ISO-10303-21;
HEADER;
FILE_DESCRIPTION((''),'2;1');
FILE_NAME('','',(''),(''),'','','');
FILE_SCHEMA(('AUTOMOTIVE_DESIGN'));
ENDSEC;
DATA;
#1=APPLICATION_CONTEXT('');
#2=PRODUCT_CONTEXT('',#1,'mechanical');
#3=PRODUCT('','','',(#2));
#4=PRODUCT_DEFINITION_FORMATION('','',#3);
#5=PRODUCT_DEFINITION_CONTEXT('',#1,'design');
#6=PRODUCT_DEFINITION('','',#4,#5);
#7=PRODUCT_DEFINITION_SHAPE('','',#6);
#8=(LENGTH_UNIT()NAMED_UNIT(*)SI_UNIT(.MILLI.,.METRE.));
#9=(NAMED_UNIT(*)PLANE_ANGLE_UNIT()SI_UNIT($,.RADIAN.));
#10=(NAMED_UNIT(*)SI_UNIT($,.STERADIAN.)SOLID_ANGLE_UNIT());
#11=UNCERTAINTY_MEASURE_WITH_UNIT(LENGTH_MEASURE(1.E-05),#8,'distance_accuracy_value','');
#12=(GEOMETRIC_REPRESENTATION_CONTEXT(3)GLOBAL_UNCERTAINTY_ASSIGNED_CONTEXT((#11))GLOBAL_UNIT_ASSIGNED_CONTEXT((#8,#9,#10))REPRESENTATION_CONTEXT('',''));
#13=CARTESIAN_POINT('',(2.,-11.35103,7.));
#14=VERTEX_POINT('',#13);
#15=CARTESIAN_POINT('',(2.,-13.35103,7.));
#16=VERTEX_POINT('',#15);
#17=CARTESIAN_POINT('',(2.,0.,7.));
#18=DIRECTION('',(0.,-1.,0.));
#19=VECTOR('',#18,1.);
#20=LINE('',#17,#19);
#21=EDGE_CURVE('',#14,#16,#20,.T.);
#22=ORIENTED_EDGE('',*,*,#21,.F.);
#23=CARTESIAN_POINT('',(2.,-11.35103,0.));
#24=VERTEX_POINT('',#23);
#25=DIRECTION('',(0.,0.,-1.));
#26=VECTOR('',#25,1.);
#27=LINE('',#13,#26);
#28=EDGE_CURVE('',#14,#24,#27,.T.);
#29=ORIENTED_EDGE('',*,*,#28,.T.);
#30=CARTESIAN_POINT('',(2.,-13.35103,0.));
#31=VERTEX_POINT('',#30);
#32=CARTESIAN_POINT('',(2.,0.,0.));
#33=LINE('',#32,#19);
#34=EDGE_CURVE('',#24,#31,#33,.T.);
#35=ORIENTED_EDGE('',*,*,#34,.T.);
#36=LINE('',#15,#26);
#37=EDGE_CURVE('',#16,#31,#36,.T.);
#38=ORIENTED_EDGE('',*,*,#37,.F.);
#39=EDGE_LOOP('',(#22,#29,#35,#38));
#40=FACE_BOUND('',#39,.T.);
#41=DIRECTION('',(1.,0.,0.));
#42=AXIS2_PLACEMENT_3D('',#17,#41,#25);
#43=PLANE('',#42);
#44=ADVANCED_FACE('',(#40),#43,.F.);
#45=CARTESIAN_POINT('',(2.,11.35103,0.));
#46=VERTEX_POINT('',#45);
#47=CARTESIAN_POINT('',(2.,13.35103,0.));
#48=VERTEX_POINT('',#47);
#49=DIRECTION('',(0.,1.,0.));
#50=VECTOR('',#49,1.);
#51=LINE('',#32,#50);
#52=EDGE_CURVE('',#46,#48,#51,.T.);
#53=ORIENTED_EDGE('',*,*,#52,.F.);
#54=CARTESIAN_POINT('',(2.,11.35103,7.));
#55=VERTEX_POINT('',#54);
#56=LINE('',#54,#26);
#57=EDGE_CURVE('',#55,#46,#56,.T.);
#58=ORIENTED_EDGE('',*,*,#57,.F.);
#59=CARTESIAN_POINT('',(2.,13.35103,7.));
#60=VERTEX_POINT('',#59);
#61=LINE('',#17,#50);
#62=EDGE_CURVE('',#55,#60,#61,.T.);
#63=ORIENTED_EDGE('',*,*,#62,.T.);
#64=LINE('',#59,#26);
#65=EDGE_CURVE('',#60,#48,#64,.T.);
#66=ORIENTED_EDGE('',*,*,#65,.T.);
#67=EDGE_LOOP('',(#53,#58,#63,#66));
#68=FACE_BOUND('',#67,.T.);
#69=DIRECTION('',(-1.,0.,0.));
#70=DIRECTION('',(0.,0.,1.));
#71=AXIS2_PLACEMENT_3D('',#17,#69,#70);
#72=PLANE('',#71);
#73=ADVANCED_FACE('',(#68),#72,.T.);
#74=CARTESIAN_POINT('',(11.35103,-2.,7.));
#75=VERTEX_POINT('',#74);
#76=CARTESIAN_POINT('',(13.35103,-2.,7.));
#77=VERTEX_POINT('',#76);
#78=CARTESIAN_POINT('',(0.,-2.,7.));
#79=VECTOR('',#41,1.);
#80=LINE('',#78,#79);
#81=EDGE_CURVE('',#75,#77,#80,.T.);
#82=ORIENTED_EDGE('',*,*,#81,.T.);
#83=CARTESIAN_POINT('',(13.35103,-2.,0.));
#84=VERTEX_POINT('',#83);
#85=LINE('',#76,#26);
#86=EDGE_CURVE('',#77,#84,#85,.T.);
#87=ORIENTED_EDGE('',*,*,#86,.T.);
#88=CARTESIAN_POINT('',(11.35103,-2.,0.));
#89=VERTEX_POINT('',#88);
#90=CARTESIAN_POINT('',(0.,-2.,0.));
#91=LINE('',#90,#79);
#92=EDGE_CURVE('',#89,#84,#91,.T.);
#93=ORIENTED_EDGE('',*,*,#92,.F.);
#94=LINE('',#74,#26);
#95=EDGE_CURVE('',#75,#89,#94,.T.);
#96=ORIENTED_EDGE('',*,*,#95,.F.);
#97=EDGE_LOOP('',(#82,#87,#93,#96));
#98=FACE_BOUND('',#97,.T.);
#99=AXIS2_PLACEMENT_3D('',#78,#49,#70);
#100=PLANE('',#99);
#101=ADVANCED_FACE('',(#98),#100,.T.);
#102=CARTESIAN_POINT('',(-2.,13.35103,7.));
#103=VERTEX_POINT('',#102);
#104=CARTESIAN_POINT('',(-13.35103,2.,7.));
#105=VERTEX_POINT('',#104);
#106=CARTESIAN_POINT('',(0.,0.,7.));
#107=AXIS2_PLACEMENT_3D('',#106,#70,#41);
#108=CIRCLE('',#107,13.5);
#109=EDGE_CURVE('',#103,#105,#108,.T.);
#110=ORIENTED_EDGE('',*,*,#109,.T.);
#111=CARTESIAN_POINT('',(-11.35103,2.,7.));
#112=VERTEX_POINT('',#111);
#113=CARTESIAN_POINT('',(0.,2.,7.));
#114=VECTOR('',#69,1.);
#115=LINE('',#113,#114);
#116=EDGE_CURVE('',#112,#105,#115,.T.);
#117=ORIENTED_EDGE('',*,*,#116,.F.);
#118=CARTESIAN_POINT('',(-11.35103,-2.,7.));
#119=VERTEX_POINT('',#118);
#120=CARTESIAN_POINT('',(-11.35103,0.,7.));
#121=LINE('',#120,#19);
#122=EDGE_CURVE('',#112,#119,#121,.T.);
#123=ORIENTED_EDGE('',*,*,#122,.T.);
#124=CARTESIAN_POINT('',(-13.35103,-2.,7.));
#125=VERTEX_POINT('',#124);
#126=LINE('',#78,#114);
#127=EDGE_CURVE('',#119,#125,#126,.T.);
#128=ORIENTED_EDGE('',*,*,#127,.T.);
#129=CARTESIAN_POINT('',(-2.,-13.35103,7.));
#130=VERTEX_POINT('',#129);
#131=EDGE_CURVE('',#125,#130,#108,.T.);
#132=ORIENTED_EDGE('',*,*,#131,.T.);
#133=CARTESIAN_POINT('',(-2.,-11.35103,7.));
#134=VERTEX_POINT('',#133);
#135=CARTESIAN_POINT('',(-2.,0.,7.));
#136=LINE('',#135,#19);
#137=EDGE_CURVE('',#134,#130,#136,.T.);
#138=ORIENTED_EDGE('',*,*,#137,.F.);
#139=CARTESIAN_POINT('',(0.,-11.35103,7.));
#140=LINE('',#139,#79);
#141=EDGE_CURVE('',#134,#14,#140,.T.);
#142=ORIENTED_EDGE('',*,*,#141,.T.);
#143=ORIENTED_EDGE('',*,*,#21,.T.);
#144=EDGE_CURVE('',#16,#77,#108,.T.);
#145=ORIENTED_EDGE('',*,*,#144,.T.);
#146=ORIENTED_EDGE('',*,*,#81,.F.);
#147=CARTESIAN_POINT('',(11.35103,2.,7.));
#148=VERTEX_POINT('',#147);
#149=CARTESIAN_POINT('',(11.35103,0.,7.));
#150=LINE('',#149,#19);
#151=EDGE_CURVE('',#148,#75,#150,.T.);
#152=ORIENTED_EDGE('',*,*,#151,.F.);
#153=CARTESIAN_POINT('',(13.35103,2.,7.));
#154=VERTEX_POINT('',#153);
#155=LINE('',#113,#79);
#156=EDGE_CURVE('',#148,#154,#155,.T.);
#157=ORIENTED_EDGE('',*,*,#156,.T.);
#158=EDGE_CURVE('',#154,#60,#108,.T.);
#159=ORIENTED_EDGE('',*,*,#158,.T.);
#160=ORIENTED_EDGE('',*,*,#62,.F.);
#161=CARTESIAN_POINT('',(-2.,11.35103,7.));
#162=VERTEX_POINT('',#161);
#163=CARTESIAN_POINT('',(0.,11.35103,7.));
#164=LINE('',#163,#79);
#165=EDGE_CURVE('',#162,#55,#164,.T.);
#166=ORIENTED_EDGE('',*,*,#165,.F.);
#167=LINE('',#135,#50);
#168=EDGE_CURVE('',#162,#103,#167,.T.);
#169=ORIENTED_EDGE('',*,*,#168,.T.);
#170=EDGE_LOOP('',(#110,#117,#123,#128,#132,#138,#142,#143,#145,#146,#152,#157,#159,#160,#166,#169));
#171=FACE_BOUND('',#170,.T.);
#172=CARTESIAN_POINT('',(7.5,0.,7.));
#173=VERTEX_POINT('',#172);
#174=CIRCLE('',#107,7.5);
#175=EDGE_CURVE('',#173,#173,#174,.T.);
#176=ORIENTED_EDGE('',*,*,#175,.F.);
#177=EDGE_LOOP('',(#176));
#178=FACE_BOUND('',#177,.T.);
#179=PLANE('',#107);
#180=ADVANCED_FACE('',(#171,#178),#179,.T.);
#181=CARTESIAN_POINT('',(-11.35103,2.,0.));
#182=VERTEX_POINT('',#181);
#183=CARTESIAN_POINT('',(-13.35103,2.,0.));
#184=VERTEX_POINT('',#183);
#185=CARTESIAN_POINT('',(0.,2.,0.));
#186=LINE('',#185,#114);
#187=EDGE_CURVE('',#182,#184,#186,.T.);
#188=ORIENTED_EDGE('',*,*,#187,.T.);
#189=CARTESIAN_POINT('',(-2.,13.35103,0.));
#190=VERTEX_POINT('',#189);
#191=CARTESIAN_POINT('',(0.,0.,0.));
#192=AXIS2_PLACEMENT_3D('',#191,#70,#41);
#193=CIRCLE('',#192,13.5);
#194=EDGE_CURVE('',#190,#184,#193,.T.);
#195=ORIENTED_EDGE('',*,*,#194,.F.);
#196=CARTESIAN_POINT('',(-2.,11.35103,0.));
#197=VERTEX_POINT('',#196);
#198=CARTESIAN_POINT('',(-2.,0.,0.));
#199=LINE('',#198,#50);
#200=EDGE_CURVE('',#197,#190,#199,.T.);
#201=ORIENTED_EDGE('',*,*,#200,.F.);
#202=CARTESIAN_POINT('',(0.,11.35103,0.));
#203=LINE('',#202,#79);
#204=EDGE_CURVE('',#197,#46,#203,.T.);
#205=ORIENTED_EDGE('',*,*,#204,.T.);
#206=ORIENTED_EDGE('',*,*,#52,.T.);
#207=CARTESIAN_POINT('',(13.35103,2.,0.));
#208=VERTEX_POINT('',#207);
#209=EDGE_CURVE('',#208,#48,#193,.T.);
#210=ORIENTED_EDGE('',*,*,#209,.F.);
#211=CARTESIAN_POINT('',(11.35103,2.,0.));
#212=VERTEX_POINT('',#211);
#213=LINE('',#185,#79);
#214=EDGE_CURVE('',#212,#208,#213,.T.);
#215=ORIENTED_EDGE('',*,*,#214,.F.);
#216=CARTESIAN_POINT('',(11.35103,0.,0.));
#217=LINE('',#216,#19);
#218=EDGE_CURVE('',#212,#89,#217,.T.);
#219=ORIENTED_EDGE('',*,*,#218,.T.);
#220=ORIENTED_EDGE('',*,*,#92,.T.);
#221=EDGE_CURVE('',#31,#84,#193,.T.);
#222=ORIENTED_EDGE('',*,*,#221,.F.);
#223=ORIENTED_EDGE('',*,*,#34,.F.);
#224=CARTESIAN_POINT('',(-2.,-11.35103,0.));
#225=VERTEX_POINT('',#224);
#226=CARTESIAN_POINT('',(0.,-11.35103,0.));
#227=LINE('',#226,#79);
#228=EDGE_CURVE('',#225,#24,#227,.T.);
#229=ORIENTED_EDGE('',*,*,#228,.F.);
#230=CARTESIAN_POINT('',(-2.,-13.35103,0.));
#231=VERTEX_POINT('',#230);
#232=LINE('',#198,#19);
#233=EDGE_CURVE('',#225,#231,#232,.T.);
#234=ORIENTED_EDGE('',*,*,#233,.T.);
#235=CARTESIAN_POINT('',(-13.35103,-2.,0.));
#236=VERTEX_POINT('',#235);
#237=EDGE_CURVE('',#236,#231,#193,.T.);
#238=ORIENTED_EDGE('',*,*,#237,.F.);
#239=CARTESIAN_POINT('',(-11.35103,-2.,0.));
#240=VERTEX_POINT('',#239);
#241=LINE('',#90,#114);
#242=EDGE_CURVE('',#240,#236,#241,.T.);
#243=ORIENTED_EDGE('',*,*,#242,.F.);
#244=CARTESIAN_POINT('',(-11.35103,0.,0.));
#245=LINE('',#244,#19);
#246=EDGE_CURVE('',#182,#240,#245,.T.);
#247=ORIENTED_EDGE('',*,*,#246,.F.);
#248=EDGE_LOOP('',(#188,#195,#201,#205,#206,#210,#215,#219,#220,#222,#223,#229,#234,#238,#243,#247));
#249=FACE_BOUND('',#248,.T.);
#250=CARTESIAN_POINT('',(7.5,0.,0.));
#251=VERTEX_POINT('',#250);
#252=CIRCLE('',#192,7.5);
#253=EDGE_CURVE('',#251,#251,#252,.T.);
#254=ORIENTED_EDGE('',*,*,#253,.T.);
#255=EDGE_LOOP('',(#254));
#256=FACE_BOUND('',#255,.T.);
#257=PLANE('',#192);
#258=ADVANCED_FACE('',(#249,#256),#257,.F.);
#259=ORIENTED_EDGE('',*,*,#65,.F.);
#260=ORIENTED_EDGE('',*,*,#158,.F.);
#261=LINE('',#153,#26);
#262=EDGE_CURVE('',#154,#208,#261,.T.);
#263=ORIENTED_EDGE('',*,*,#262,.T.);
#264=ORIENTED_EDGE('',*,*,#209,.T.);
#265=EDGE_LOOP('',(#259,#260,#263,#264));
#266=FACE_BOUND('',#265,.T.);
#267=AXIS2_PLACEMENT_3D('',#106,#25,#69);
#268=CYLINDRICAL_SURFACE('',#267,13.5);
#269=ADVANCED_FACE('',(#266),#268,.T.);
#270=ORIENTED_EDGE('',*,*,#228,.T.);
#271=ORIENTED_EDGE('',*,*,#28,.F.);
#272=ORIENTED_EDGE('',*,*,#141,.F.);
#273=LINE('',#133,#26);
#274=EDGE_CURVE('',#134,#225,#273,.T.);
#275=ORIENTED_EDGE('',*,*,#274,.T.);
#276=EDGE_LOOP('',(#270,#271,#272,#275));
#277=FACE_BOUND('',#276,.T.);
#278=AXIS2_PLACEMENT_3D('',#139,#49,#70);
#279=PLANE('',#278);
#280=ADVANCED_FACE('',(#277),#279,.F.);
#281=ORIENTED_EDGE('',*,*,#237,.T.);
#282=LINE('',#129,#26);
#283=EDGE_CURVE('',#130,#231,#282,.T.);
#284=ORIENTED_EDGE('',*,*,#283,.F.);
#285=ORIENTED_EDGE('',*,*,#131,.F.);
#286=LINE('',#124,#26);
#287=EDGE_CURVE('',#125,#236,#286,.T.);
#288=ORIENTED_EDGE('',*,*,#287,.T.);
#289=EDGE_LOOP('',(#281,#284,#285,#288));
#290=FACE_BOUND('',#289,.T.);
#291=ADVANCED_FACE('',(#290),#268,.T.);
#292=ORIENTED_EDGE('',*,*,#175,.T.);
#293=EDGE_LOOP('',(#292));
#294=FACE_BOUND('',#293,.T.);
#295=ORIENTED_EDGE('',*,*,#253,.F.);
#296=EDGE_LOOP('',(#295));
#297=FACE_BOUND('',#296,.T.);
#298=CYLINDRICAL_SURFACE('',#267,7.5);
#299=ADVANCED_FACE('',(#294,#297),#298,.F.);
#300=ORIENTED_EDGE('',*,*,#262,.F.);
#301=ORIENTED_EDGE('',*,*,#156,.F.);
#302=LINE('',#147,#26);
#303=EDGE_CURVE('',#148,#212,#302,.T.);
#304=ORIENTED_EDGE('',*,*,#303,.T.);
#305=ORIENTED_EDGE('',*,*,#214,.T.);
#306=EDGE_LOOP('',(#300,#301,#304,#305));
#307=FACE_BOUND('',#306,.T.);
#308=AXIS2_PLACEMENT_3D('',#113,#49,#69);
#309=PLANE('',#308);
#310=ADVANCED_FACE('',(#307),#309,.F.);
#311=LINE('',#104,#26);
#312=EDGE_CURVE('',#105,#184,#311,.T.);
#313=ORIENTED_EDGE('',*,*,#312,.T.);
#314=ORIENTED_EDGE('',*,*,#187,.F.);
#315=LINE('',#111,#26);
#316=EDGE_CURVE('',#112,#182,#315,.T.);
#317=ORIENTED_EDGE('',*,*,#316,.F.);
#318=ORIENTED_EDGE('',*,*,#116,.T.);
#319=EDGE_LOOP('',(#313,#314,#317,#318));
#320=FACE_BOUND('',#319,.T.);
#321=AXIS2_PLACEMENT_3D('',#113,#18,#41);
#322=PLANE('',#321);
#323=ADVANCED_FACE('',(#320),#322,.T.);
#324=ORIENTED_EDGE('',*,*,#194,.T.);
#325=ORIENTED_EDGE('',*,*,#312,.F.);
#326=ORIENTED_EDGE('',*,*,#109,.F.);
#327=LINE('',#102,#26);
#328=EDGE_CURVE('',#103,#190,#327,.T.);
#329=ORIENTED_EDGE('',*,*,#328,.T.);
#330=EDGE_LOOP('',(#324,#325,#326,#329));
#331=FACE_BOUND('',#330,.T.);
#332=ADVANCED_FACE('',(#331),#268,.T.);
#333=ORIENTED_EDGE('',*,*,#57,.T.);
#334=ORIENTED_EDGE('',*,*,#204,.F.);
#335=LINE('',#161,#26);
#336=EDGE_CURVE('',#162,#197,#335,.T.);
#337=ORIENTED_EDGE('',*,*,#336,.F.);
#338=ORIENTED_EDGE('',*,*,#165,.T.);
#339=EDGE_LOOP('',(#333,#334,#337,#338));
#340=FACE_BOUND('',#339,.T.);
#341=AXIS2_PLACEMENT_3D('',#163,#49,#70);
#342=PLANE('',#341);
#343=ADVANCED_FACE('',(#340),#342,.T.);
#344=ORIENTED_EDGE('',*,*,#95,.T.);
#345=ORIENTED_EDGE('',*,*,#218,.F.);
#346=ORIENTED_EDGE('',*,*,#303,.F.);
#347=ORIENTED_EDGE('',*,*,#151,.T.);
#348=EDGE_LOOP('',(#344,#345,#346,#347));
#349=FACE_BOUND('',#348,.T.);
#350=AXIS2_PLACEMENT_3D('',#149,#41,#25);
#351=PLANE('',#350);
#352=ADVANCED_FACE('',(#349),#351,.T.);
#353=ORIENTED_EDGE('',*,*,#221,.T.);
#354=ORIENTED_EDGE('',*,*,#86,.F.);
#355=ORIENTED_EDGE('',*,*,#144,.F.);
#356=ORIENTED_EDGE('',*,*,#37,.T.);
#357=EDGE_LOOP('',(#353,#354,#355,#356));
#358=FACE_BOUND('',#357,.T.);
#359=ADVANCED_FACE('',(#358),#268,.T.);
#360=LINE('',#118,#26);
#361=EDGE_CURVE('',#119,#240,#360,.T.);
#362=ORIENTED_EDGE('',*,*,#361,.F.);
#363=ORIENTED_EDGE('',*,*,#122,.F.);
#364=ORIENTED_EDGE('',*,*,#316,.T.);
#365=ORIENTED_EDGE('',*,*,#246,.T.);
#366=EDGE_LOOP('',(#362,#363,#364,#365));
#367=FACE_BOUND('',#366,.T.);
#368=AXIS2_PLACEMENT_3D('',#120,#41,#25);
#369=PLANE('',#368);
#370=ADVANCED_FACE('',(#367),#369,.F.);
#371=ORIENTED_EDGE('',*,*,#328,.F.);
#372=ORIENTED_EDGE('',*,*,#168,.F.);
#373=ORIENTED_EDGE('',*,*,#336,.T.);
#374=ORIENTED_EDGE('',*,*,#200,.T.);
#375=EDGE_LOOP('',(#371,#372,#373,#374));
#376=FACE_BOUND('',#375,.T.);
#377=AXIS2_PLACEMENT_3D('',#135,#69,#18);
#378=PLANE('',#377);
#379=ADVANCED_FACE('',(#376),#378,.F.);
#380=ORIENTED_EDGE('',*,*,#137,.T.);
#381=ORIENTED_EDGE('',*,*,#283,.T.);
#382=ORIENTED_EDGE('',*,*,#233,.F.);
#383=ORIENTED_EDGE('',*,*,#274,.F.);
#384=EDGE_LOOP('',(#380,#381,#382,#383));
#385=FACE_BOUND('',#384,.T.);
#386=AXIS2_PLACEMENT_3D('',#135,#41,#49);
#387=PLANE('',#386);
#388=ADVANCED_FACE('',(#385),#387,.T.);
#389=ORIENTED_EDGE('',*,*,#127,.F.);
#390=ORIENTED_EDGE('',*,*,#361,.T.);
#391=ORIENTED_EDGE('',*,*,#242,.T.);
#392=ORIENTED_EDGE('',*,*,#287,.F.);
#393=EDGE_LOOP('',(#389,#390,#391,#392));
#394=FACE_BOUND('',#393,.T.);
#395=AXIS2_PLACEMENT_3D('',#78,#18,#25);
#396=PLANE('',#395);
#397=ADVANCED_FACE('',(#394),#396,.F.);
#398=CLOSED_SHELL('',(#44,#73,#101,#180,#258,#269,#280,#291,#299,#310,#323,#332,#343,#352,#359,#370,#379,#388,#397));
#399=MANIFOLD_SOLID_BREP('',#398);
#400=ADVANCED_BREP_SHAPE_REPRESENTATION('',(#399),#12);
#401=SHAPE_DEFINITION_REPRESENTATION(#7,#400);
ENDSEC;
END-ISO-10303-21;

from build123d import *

# Parameters (mm, degrees)
ESBO_O1_R                = 7.5
RESSALTO_EXTRUS_O1_DEPTH = 7


with BuildPart() as part:
    # Esboço1 → Ressalto-extrusão1 (new body)
    with BuildSketch(Plane.XY):
        with BuildLine():
            Line((2, 11.351029923), (-2, 11.351029923))
            Line((-2, 11.351029923), (-2, 13.351029923))
            ThreePointArc((-2, 13.351029923), (-9.545941546, 9.545941546), (-13.351029923, 2))
            Line((-13.351029923, 2), (-11.351029923, 2))
            Line((-11.351029923, 2), (-11.351029923, -2))
            Line((-11.351029923, -2), (-13.351029923, -2))
            ThreePointArc((-13.351029923, -2), (-9.545941546, -9.545941546), (-2, -13.351029923))
            Line((-2, -13.351029923), (-2, -11.351029923))
            Line((-2, -11.351029923), (2, -11.351029923))
            Line((2, -11.351029923), (2, -13.351029923))
            ThreePointArc((2, -13.351029923), (9.545941546, -9.545941546), (13.351029923, -2))
            Line((13.351029923, -2), (11.351029923, -2))
            Line((11.351029923, -2), (11.351029923, 2))
            Line((11.351029923, 2), (13.351029923, 2))
            ThreePointArc((13.351029923, 2), (9.545941546, 9.545941546), (2, 13.351029923))
            Line((2, 13.351029923), (2, 11.351029923))
        make_face()
        Circle(ESBO_O1_R, mode=Mode.SUBTRACT)
    extrude(amount=RESSALTO_EXTRUS_O1_DEPTH)


solid = part.part
